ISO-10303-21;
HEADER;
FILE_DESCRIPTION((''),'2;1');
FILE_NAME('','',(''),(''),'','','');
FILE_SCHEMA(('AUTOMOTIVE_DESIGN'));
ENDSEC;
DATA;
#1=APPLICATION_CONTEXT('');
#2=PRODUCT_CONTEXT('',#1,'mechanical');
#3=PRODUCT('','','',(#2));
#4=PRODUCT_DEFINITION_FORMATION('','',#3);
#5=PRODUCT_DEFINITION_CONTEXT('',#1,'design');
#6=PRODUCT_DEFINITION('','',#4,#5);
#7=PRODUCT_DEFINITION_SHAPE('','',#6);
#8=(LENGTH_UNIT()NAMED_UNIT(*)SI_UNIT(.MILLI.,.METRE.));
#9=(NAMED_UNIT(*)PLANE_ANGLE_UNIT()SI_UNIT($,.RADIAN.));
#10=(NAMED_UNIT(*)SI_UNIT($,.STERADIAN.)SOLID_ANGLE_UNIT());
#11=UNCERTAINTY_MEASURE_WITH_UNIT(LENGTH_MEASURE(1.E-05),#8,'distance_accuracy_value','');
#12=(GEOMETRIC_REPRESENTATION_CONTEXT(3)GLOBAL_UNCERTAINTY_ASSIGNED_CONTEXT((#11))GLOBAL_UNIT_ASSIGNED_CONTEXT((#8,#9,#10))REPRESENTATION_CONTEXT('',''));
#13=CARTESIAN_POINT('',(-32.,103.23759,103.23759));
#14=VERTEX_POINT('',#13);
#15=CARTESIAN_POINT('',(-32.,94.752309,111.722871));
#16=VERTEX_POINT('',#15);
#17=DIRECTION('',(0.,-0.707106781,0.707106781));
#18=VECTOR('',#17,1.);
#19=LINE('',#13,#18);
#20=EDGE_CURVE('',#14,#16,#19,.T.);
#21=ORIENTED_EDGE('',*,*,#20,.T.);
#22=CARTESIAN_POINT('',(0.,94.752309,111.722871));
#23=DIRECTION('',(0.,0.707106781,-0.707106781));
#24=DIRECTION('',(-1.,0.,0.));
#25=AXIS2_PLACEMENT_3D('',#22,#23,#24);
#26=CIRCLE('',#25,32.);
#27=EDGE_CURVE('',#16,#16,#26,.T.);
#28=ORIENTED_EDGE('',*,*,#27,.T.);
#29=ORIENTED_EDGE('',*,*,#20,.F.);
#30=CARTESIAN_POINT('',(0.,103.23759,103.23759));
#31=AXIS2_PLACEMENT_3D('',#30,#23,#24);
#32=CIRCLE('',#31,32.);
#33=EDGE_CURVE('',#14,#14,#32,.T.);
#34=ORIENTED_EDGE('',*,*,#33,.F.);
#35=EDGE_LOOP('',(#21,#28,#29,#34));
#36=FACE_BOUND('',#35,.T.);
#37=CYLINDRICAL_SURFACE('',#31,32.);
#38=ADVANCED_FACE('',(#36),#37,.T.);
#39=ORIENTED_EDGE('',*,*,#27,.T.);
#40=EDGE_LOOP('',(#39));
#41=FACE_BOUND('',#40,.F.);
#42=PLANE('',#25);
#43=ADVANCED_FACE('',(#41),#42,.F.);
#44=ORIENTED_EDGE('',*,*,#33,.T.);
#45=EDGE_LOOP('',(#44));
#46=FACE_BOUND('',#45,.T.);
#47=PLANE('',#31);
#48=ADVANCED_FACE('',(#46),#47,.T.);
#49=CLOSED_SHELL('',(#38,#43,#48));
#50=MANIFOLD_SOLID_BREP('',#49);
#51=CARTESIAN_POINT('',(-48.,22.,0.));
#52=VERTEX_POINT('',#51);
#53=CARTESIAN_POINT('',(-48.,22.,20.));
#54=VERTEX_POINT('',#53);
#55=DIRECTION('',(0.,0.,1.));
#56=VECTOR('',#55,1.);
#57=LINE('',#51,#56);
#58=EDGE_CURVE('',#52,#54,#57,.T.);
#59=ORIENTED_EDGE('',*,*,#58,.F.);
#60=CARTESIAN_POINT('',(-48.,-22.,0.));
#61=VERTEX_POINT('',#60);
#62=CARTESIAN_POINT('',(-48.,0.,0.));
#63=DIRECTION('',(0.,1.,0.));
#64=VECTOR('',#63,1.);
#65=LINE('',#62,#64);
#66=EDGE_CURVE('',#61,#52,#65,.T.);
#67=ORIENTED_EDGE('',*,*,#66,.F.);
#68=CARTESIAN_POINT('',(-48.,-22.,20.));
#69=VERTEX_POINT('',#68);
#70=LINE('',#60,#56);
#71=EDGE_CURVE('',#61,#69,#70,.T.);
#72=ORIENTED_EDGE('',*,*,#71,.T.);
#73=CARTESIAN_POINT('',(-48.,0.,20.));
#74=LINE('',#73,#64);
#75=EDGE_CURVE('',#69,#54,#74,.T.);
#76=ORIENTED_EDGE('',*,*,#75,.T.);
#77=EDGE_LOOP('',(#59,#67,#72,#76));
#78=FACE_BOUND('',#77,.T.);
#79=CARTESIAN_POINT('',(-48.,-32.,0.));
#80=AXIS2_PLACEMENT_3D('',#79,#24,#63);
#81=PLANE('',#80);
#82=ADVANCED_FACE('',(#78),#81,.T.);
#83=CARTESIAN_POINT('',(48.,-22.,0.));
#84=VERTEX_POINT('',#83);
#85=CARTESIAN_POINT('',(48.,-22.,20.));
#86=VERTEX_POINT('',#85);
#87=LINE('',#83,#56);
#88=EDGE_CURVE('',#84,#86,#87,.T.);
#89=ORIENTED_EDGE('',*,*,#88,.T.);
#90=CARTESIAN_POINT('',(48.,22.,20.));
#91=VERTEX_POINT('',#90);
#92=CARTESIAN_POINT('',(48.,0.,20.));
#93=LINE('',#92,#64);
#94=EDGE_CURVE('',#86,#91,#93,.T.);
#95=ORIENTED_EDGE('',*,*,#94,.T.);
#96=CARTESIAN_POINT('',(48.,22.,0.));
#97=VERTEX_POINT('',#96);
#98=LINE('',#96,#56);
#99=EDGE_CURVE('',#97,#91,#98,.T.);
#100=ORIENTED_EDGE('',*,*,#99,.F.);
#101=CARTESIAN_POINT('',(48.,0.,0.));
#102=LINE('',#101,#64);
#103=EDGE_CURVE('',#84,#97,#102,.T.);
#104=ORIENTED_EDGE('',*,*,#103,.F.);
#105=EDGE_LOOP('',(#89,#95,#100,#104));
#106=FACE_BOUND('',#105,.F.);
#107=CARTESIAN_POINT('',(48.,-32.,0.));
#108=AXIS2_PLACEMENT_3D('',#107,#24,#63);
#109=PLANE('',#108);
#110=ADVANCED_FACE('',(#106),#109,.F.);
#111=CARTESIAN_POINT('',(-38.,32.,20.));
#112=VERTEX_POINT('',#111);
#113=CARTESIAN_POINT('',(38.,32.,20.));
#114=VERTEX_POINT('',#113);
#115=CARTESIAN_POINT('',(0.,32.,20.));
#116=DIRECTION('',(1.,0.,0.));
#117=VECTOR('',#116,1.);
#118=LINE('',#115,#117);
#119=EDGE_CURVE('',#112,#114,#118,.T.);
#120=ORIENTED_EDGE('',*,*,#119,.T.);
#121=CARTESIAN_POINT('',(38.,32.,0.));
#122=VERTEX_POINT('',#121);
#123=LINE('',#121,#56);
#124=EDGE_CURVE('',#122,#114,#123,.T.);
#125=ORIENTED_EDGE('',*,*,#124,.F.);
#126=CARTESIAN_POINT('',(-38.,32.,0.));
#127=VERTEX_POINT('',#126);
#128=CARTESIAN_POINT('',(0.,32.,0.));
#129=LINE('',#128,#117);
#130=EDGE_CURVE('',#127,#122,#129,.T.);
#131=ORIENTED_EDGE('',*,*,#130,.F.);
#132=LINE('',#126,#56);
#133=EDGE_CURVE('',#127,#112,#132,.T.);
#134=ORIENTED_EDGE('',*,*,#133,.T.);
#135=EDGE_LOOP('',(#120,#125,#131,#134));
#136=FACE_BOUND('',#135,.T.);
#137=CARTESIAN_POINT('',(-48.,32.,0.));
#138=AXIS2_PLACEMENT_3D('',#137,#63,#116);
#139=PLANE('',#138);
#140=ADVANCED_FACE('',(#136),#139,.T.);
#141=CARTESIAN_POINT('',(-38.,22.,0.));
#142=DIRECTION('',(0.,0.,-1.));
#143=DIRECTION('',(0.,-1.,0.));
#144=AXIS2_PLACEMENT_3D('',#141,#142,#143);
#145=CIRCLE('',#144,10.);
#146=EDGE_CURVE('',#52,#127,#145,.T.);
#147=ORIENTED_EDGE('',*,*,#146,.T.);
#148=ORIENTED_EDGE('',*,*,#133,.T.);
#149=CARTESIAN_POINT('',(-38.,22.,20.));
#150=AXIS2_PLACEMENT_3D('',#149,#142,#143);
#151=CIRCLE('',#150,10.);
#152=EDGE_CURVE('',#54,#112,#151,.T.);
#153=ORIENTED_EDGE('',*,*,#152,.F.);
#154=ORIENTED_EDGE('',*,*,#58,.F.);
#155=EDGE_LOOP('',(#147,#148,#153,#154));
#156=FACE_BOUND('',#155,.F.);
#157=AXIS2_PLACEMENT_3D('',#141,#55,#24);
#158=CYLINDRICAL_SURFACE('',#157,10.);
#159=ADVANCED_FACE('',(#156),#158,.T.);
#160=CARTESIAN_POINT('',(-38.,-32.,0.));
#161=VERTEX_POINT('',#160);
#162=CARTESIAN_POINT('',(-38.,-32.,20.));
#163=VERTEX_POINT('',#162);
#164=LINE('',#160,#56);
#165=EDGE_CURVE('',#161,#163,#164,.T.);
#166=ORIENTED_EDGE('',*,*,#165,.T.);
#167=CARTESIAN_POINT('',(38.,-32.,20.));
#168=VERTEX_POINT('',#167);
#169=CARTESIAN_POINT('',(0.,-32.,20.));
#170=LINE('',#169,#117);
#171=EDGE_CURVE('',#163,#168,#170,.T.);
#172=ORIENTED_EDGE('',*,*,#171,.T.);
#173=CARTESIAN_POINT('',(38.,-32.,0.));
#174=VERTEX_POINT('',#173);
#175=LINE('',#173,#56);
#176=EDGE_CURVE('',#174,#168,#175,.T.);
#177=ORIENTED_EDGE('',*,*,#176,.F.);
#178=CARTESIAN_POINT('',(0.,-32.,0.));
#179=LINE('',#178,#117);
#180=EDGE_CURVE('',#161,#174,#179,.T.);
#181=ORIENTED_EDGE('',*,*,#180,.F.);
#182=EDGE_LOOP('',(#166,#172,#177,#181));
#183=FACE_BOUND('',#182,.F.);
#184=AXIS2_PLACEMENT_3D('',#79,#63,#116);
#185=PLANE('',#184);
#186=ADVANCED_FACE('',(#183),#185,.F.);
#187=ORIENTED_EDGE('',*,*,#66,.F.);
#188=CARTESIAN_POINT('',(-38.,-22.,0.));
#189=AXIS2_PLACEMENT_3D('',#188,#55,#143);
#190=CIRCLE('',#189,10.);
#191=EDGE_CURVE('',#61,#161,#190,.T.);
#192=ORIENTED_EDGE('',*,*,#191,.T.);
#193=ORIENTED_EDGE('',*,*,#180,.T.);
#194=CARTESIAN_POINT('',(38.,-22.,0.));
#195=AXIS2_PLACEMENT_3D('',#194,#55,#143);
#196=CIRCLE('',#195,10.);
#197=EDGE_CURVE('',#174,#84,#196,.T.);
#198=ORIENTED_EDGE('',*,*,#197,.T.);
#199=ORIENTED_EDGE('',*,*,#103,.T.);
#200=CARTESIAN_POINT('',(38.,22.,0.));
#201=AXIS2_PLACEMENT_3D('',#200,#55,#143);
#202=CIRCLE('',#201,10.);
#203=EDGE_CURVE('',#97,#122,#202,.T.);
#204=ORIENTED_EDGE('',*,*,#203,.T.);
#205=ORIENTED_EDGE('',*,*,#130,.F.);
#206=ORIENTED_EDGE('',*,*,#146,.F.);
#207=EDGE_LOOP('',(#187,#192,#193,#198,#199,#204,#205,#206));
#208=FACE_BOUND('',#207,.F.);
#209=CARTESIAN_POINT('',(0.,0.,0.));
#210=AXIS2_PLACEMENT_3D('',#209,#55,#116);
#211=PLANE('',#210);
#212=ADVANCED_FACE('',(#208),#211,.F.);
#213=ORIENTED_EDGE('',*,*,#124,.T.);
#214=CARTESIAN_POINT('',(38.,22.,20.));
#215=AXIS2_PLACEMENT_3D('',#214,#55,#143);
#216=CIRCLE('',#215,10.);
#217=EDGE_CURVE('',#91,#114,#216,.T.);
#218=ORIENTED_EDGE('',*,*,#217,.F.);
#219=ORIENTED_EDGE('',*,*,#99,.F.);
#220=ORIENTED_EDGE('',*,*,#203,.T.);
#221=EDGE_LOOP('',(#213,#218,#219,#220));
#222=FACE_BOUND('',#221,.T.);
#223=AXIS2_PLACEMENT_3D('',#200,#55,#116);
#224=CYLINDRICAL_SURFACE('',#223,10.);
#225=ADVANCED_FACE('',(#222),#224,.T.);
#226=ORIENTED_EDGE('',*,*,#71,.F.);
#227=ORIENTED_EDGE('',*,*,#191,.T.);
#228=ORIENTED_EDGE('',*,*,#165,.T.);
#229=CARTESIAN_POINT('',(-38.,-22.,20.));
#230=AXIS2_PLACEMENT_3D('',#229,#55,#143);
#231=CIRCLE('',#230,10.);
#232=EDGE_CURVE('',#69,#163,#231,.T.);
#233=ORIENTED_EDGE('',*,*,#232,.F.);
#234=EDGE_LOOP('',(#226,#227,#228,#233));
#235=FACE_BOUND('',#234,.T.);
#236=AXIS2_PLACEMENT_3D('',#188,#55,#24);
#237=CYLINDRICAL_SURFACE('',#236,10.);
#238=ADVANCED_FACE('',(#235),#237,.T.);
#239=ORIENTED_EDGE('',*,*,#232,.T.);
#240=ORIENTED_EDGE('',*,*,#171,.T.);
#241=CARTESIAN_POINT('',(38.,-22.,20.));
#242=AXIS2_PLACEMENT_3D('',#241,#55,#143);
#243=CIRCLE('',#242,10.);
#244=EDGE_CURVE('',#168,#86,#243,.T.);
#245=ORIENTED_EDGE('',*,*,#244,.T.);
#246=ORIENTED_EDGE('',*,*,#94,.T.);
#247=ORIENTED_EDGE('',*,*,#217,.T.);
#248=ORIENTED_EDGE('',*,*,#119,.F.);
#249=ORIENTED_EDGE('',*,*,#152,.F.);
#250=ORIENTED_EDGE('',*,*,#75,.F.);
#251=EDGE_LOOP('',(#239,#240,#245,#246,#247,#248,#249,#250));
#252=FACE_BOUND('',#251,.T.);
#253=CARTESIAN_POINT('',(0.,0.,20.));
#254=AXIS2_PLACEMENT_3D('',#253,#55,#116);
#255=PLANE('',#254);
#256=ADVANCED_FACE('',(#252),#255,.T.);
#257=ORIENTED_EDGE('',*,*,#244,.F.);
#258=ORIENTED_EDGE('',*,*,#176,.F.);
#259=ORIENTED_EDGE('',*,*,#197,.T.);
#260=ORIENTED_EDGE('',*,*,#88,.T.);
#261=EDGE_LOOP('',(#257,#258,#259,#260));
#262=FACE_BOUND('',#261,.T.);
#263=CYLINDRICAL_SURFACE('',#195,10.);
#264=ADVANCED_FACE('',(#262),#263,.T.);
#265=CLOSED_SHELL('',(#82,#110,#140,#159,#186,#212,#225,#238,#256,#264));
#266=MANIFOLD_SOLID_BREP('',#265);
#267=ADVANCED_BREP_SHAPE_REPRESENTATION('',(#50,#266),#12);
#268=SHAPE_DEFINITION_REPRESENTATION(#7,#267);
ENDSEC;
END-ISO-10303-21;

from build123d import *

# Parameters (mm, degrees)
F0_W     = 96
F0_H     = 64
F1_DEPTH = 20
F2_R     = 10
F5_R     = 32
F6_DEPTH = 12


with BuildPart() as f1:
    # F0 (on Top) → F1 (new body)
    with BuildSketch(Plane.XY):
        Rectangle(F0_W, F0_H)
    extrude(amount=F1_DEPTH)

    # F2
    f2_edges = [f1.edges().sort_by_distance(p)[0] for p in [
        (-48, -32, 10),
        (48, -32, 10),
        (48, 32, 10),
        (-48, 32, 10),
    ]]
    fillet(f2_edges, radius=F2_R)


with BuildPart() as f6:
    # F5 (on face) → F6 (new body)
    with BuildSketch(Plane(origin=(0, 0, 0), x_dir=(-1, 0, 0), z_dir=(0, 0.707107, -0.707107))):
        with Locations((0, 146)):
            Circle(F5_R)
    extrude(amount=-F6_DEPTH)


solid = Compound([f1.part, f6.part])
